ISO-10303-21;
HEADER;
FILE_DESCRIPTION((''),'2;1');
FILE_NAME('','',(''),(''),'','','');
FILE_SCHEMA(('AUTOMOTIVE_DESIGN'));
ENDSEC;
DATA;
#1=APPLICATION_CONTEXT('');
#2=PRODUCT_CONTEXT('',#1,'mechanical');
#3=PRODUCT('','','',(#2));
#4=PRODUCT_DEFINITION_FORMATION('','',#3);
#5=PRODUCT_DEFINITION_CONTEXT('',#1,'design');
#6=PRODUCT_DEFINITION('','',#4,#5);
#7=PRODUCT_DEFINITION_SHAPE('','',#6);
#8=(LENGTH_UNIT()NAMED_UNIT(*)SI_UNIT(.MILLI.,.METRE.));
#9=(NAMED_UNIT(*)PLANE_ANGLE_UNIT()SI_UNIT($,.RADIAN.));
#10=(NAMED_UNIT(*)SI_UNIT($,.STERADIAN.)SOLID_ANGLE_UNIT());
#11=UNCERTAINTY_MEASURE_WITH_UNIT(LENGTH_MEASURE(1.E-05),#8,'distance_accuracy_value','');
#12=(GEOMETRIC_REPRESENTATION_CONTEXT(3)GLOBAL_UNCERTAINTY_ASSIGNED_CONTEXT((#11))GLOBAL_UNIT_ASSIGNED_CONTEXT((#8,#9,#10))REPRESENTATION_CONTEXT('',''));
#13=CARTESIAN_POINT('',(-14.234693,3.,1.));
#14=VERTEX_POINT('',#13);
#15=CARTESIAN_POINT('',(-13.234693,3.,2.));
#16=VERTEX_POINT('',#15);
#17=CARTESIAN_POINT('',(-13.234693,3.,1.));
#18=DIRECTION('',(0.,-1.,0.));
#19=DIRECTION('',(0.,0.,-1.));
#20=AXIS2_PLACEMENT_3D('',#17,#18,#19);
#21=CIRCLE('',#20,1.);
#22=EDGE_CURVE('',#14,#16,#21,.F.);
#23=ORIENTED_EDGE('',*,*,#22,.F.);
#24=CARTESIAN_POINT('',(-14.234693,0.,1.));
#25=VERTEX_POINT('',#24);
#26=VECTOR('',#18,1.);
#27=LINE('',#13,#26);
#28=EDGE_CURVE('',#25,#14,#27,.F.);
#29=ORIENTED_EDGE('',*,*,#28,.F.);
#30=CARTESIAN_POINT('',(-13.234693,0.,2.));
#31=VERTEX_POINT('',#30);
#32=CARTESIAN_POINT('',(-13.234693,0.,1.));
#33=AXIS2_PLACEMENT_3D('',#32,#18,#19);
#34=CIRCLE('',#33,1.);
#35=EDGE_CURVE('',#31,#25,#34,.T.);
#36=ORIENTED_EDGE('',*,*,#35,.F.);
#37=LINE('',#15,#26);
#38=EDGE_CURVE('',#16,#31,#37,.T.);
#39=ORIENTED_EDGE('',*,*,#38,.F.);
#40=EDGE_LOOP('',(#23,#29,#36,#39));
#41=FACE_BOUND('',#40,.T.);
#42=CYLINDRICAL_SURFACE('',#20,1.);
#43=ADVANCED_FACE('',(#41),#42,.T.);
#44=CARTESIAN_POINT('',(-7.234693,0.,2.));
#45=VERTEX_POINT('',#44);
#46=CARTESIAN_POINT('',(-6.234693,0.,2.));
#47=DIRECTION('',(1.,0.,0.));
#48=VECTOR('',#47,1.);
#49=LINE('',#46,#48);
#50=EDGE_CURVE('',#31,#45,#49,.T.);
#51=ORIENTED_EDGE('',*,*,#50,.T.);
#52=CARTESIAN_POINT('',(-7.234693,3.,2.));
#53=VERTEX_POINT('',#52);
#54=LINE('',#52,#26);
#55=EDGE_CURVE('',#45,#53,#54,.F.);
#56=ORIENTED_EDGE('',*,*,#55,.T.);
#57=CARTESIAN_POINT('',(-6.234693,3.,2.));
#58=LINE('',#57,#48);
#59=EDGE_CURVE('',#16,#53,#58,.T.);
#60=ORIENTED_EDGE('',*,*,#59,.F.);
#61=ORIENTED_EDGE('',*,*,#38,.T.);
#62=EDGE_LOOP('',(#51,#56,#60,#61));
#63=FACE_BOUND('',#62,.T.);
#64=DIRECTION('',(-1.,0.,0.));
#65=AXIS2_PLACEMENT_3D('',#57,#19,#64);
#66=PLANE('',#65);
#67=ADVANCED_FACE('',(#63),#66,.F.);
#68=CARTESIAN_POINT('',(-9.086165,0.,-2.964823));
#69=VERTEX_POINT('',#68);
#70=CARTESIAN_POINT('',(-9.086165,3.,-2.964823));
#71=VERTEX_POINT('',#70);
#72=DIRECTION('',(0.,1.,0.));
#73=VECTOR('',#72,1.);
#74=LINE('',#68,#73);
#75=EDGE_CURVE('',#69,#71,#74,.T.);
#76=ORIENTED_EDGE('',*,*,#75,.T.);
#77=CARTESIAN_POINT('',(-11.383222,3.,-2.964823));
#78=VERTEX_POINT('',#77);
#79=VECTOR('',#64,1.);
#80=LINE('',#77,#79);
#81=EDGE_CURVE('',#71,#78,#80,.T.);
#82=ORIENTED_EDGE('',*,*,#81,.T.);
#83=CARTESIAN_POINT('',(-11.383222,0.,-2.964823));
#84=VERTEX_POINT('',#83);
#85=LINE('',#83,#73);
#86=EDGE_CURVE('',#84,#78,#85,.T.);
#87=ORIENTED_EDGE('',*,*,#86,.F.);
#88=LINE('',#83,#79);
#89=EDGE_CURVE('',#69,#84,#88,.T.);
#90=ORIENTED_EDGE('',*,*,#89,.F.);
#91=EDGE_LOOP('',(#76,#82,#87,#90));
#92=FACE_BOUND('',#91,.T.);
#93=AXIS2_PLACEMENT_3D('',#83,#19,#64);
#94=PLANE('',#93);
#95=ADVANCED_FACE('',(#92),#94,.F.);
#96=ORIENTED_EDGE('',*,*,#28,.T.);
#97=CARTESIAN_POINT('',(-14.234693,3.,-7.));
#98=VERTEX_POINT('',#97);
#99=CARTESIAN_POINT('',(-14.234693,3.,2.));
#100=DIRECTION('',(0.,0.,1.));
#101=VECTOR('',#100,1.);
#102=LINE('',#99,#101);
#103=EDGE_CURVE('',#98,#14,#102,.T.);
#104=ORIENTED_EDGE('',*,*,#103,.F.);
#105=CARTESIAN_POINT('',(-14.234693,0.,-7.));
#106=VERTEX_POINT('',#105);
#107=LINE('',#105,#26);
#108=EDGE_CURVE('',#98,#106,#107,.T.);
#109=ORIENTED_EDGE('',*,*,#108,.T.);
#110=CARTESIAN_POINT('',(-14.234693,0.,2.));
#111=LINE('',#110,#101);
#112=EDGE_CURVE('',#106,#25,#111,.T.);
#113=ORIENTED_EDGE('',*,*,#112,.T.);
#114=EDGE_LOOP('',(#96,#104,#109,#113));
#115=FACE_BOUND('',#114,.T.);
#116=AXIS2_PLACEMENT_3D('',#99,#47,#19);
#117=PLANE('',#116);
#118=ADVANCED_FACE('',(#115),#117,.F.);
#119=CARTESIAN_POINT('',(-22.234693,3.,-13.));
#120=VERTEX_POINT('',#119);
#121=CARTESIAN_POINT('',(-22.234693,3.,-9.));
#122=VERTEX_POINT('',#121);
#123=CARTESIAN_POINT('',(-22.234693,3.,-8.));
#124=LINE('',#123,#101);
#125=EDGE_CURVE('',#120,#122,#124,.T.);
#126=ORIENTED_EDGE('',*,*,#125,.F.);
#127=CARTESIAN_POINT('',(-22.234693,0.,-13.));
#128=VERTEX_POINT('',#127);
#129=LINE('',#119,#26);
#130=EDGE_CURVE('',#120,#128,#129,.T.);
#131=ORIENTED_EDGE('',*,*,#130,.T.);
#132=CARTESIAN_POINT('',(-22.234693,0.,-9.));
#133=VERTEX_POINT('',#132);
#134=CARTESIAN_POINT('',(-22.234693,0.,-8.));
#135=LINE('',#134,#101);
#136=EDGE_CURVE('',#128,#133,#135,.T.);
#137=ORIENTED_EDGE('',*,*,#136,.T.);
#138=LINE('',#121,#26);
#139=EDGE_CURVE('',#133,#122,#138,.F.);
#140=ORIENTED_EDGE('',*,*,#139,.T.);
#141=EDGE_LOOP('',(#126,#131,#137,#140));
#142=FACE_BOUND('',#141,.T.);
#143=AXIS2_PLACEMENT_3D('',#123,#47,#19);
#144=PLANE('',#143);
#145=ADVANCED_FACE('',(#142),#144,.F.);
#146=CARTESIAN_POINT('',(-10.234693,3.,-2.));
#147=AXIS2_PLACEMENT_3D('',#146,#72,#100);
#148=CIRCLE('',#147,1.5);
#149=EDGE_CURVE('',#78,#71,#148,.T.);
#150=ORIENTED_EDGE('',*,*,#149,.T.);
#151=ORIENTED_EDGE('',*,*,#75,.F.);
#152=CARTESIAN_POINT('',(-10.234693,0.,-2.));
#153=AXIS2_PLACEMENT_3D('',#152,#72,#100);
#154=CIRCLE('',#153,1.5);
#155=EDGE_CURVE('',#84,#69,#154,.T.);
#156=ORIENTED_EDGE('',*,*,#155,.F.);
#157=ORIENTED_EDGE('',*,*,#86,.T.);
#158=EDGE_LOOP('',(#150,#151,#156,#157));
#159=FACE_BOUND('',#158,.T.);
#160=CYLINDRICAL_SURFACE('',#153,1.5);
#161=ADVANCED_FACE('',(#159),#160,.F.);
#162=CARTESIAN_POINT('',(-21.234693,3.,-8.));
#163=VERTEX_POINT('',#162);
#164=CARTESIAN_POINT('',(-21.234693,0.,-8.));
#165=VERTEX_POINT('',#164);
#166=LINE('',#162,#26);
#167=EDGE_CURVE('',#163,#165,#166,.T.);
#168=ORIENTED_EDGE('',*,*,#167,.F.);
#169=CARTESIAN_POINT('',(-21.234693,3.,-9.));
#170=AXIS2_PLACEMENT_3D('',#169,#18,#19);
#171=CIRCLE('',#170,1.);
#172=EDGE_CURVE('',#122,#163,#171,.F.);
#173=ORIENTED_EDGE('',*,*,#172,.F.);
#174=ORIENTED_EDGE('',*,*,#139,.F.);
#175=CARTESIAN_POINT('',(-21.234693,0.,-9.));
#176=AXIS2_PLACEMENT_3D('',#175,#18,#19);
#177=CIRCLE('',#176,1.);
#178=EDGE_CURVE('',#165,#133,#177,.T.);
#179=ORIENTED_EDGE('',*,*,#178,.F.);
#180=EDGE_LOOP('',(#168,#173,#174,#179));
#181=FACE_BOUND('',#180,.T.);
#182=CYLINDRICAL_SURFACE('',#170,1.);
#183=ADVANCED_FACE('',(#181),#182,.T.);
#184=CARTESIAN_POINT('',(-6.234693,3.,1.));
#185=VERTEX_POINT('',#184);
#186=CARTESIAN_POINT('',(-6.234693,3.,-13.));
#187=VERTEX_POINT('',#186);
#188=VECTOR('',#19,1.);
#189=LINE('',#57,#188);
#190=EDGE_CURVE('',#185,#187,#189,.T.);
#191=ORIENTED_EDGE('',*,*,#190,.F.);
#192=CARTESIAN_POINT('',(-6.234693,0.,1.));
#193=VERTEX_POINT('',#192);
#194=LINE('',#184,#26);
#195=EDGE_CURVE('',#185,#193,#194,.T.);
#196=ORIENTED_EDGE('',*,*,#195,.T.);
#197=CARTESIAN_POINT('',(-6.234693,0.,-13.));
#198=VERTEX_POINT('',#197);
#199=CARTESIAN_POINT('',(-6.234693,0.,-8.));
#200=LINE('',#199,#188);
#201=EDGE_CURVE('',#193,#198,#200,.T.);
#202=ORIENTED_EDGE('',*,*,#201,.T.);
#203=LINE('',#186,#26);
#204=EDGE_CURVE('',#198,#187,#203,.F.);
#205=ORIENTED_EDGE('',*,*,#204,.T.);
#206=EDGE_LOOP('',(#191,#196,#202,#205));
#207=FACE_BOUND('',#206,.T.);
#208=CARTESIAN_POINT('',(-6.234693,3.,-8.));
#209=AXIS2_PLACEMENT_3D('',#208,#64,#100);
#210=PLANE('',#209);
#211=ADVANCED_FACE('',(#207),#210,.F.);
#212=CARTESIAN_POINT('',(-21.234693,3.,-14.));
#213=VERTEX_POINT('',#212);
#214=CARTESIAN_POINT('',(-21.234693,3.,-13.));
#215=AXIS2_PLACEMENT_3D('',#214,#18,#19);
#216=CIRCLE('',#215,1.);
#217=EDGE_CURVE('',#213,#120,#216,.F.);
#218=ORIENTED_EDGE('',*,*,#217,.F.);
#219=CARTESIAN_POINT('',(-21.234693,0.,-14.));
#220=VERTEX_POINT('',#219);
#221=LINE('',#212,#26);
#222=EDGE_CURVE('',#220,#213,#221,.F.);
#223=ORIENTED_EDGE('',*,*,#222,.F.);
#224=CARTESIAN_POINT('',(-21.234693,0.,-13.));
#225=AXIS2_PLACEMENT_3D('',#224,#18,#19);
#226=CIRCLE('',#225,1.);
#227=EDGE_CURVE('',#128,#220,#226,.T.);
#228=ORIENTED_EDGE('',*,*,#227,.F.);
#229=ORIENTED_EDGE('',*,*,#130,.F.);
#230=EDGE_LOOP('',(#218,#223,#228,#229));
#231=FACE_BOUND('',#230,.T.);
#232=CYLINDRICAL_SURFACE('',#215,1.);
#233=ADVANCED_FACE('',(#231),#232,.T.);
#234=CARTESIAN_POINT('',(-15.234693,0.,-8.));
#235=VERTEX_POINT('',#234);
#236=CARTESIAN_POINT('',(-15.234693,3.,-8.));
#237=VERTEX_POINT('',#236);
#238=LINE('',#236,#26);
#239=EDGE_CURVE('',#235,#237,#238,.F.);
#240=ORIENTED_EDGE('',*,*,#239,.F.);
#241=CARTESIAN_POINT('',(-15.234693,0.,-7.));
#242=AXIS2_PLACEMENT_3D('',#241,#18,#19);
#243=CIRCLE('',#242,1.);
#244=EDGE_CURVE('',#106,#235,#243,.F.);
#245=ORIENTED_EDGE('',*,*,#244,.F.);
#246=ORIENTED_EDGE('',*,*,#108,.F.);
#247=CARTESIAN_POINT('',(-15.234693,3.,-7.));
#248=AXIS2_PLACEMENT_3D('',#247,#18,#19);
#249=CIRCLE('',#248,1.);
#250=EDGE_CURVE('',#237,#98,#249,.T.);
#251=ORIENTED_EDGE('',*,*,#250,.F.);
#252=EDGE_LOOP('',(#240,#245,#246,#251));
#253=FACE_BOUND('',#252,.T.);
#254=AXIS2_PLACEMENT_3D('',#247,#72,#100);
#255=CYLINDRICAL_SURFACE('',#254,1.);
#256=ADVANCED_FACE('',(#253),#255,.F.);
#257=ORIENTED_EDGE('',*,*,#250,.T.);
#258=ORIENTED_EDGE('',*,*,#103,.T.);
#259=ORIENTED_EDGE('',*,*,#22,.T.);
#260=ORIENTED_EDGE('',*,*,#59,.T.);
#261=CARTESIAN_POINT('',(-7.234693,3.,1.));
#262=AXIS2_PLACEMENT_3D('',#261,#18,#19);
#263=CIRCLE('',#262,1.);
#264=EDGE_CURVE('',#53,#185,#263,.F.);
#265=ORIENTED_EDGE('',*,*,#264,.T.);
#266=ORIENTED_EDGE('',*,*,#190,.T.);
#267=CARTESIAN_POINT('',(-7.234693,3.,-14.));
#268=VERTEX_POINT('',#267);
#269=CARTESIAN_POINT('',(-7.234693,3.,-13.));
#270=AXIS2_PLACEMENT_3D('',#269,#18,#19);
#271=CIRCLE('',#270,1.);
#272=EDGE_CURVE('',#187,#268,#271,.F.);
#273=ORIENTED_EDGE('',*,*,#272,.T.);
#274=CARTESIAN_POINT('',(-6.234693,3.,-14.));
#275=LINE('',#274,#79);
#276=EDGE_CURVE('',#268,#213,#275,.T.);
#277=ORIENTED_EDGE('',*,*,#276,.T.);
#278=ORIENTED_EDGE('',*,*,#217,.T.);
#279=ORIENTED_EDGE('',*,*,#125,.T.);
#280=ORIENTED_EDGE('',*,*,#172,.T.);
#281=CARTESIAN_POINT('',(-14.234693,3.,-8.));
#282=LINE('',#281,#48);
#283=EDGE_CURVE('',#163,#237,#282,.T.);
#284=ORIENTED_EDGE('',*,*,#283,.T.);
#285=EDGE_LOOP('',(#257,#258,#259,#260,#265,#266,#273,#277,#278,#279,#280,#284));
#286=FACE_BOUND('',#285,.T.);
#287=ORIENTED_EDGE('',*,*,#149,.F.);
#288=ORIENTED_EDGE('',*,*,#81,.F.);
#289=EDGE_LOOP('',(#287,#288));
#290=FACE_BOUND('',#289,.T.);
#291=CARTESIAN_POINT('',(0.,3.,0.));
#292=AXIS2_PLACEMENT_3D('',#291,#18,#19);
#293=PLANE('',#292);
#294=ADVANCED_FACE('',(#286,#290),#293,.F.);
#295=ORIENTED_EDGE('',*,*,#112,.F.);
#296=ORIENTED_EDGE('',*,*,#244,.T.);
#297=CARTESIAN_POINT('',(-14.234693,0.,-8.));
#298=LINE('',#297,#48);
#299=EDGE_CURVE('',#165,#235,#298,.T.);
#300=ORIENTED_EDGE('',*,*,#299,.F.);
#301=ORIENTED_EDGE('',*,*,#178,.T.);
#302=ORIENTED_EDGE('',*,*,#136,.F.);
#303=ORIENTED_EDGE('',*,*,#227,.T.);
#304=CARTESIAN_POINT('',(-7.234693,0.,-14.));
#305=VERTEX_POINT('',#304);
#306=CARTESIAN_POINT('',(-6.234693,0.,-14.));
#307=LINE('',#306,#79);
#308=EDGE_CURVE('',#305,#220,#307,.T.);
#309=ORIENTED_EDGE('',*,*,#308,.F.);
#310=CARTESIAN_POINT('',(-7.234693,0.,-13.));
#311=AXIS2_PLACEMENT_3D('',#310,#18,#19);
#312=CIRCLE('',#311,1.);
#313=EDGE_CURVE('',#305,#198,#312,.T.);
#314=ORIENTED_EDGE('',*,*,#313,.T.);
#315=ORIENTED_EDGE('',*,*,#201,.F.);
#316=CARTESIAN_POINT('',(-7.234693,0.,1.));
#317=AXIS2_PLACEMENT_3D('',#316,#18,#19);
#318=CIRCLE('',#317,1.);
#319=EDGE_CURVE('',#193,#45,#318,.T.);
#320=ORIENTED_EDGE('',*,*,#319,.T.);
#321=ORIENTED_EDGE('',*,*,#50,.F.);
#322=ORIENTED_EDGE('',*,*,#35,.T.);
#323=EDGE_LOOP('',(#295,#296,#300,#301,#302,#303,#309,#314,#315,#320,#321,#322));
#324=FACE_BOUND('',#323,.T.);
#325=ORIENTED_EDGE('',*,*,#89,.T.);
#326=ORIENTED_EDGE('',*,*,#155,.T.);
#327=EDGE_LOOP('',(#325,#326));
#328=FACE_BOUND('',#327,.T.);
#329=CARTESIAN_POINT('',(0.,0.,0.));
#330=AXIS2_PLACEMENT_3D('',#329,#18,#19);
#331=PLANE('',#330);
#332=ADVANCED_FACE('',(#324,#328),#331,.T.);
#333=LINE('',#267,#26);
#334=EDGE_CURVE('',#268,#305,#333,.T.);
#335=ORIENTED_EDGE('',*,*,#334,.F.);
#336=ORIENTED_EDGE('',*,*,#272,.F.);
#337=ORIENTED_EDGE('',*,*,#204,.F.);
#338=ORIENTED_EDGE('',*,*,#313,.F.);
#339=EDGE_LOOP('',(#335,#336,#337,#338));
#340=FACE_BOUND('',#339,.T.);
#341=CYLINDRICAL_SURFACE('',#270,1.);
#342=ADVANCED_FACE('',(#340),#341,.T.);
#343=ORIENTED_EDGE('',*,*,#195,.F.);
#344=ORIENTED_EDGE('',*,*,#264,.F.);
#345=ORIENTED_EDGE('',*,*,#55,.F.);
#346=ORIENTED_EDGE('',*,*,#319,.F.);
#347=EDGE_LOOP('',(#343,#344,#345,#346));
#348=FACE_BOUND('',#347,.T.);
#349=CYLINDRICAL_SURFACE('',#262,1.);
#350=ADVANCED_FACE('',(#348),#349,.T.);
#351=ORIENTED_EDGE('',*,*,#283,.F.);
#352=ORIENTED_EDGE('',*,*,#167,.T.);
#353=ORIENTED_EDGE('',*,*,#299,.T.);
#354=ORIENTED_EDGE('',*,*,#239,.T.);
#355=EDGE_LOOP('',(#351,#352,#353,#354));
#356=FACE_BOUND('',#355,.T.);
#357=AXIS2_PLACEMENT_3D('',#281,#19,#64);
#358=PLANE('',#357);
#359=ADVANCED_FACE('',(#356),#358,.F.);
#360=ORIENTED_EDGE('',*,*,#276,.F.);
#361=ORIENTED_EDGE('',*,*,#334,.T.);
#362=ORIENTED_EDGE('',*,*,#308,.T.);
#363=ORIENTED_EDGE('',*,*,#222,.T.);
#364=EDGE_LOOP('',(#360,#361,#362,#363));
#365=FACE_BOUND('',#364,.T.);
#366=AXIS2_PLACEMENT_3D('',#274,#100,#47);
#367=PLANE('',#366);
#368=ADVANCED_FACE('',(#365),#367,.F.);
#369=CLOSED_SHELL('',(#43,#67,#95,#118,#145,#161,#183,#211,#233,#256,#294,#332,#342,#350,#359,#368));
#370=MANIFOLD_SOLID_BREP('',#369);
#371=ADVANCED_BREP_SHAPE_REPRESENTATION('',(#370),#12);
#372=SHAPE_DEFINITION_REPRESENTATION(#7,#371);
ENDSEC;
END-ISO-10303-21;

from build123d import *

# Parameters (mm, degrees)
BOSS_EXTRUDE2_DEPTH = 3
FILLET1_R           = 1
FILLET2_R           = 1
FILLET3_R           = 1
FILLET4_R           = 1
FILLET5_R           = 1
FILLET6_R           = 1
CUT_EXTRUDE2_DEPTH  = 3


with BuildPart() as part:
    # Sketch1 → Boss-Extrude2 (new body)
    with BuildSketch(Plane(origin=(0, 0, 0), x_dir=(1, 0, 0), z_dir=(0, 1, 0))):
        Polygon((-6.234693371, -2), (-14.234693371, -2), (-14.234693371, 8), (-22.234693371, 8), (-22.234693371, 14), (-6.234693371, 14), (-6.234693371, 8), align=None)
    extrude(amount=BOSS_EXTRUDE2_DEPTH)

    # Fillet1
    fillet1_edges = [part.edges().sort_by_distance(p)[0] for p in [
        (-22.234693371, 1.5, -14),
    ]]
    fillet(fillet1_edges, radius=FILLET1_R)

    # Fillet2
    fillet2_edges = [part.edges().sort_by_distance(p)[0] for p in [
        (-22.234693371, 1.5, -8),
    ]]
    fillet(fillet2_edges, radius=FILLET2_R)

    # Fillet3
    fillet3_edges = [part.edges().sort_by_distance(p)[0] for p in [
        (-6.234693371, 1.5, -14),
    ]]
    fillet(fillet3_edges, radius=FILLET3_R)

    # Fillet4
    fillet4_edges = [part.edges().sort_by_distance(p)[0] for p in [
        (-14.234693371, 1.5, 2),
    ]]
    fillet(fillet4_edges, radius=FILLET4_R)

    # Fillet5
    fillet5_edges = [part.edges().sort_by_distance(p)[0] for p in [
        (-6.234693371, 1.5, 2),
    ]]
    fillet(fillet5_edges, radius=FILLET5_R)

    # Fillet6
    fillet6_edges = [part.edges().sort_by_distance(p)[0] for p in [
        (-14.234693371, 1.5, -8),
    ]]
    fillet(fillet6_edges, radius=FILLET6_R)

    # Sketch3 → Cut-Extrude2 (cut)
    with BuildSketch(Plane(origin=(0, 3, 0), x_dir=(1, 0, 0), z_dir=(0, 1, 0))):
        with BuildLine():
            Line((-11.383221505, 2.964822846), (-9.086165237, 2.964822846))
            ThreePointArc((-9.086165237, 2.964822846), (-10.234693371, 0.5), (-11.383221505, 2.964822846))
        make_face()
    extrude(amount=-CUT_EXTRUDE2_DEPTH, mode=Mode.SUBTRACT)


solid = part.part
